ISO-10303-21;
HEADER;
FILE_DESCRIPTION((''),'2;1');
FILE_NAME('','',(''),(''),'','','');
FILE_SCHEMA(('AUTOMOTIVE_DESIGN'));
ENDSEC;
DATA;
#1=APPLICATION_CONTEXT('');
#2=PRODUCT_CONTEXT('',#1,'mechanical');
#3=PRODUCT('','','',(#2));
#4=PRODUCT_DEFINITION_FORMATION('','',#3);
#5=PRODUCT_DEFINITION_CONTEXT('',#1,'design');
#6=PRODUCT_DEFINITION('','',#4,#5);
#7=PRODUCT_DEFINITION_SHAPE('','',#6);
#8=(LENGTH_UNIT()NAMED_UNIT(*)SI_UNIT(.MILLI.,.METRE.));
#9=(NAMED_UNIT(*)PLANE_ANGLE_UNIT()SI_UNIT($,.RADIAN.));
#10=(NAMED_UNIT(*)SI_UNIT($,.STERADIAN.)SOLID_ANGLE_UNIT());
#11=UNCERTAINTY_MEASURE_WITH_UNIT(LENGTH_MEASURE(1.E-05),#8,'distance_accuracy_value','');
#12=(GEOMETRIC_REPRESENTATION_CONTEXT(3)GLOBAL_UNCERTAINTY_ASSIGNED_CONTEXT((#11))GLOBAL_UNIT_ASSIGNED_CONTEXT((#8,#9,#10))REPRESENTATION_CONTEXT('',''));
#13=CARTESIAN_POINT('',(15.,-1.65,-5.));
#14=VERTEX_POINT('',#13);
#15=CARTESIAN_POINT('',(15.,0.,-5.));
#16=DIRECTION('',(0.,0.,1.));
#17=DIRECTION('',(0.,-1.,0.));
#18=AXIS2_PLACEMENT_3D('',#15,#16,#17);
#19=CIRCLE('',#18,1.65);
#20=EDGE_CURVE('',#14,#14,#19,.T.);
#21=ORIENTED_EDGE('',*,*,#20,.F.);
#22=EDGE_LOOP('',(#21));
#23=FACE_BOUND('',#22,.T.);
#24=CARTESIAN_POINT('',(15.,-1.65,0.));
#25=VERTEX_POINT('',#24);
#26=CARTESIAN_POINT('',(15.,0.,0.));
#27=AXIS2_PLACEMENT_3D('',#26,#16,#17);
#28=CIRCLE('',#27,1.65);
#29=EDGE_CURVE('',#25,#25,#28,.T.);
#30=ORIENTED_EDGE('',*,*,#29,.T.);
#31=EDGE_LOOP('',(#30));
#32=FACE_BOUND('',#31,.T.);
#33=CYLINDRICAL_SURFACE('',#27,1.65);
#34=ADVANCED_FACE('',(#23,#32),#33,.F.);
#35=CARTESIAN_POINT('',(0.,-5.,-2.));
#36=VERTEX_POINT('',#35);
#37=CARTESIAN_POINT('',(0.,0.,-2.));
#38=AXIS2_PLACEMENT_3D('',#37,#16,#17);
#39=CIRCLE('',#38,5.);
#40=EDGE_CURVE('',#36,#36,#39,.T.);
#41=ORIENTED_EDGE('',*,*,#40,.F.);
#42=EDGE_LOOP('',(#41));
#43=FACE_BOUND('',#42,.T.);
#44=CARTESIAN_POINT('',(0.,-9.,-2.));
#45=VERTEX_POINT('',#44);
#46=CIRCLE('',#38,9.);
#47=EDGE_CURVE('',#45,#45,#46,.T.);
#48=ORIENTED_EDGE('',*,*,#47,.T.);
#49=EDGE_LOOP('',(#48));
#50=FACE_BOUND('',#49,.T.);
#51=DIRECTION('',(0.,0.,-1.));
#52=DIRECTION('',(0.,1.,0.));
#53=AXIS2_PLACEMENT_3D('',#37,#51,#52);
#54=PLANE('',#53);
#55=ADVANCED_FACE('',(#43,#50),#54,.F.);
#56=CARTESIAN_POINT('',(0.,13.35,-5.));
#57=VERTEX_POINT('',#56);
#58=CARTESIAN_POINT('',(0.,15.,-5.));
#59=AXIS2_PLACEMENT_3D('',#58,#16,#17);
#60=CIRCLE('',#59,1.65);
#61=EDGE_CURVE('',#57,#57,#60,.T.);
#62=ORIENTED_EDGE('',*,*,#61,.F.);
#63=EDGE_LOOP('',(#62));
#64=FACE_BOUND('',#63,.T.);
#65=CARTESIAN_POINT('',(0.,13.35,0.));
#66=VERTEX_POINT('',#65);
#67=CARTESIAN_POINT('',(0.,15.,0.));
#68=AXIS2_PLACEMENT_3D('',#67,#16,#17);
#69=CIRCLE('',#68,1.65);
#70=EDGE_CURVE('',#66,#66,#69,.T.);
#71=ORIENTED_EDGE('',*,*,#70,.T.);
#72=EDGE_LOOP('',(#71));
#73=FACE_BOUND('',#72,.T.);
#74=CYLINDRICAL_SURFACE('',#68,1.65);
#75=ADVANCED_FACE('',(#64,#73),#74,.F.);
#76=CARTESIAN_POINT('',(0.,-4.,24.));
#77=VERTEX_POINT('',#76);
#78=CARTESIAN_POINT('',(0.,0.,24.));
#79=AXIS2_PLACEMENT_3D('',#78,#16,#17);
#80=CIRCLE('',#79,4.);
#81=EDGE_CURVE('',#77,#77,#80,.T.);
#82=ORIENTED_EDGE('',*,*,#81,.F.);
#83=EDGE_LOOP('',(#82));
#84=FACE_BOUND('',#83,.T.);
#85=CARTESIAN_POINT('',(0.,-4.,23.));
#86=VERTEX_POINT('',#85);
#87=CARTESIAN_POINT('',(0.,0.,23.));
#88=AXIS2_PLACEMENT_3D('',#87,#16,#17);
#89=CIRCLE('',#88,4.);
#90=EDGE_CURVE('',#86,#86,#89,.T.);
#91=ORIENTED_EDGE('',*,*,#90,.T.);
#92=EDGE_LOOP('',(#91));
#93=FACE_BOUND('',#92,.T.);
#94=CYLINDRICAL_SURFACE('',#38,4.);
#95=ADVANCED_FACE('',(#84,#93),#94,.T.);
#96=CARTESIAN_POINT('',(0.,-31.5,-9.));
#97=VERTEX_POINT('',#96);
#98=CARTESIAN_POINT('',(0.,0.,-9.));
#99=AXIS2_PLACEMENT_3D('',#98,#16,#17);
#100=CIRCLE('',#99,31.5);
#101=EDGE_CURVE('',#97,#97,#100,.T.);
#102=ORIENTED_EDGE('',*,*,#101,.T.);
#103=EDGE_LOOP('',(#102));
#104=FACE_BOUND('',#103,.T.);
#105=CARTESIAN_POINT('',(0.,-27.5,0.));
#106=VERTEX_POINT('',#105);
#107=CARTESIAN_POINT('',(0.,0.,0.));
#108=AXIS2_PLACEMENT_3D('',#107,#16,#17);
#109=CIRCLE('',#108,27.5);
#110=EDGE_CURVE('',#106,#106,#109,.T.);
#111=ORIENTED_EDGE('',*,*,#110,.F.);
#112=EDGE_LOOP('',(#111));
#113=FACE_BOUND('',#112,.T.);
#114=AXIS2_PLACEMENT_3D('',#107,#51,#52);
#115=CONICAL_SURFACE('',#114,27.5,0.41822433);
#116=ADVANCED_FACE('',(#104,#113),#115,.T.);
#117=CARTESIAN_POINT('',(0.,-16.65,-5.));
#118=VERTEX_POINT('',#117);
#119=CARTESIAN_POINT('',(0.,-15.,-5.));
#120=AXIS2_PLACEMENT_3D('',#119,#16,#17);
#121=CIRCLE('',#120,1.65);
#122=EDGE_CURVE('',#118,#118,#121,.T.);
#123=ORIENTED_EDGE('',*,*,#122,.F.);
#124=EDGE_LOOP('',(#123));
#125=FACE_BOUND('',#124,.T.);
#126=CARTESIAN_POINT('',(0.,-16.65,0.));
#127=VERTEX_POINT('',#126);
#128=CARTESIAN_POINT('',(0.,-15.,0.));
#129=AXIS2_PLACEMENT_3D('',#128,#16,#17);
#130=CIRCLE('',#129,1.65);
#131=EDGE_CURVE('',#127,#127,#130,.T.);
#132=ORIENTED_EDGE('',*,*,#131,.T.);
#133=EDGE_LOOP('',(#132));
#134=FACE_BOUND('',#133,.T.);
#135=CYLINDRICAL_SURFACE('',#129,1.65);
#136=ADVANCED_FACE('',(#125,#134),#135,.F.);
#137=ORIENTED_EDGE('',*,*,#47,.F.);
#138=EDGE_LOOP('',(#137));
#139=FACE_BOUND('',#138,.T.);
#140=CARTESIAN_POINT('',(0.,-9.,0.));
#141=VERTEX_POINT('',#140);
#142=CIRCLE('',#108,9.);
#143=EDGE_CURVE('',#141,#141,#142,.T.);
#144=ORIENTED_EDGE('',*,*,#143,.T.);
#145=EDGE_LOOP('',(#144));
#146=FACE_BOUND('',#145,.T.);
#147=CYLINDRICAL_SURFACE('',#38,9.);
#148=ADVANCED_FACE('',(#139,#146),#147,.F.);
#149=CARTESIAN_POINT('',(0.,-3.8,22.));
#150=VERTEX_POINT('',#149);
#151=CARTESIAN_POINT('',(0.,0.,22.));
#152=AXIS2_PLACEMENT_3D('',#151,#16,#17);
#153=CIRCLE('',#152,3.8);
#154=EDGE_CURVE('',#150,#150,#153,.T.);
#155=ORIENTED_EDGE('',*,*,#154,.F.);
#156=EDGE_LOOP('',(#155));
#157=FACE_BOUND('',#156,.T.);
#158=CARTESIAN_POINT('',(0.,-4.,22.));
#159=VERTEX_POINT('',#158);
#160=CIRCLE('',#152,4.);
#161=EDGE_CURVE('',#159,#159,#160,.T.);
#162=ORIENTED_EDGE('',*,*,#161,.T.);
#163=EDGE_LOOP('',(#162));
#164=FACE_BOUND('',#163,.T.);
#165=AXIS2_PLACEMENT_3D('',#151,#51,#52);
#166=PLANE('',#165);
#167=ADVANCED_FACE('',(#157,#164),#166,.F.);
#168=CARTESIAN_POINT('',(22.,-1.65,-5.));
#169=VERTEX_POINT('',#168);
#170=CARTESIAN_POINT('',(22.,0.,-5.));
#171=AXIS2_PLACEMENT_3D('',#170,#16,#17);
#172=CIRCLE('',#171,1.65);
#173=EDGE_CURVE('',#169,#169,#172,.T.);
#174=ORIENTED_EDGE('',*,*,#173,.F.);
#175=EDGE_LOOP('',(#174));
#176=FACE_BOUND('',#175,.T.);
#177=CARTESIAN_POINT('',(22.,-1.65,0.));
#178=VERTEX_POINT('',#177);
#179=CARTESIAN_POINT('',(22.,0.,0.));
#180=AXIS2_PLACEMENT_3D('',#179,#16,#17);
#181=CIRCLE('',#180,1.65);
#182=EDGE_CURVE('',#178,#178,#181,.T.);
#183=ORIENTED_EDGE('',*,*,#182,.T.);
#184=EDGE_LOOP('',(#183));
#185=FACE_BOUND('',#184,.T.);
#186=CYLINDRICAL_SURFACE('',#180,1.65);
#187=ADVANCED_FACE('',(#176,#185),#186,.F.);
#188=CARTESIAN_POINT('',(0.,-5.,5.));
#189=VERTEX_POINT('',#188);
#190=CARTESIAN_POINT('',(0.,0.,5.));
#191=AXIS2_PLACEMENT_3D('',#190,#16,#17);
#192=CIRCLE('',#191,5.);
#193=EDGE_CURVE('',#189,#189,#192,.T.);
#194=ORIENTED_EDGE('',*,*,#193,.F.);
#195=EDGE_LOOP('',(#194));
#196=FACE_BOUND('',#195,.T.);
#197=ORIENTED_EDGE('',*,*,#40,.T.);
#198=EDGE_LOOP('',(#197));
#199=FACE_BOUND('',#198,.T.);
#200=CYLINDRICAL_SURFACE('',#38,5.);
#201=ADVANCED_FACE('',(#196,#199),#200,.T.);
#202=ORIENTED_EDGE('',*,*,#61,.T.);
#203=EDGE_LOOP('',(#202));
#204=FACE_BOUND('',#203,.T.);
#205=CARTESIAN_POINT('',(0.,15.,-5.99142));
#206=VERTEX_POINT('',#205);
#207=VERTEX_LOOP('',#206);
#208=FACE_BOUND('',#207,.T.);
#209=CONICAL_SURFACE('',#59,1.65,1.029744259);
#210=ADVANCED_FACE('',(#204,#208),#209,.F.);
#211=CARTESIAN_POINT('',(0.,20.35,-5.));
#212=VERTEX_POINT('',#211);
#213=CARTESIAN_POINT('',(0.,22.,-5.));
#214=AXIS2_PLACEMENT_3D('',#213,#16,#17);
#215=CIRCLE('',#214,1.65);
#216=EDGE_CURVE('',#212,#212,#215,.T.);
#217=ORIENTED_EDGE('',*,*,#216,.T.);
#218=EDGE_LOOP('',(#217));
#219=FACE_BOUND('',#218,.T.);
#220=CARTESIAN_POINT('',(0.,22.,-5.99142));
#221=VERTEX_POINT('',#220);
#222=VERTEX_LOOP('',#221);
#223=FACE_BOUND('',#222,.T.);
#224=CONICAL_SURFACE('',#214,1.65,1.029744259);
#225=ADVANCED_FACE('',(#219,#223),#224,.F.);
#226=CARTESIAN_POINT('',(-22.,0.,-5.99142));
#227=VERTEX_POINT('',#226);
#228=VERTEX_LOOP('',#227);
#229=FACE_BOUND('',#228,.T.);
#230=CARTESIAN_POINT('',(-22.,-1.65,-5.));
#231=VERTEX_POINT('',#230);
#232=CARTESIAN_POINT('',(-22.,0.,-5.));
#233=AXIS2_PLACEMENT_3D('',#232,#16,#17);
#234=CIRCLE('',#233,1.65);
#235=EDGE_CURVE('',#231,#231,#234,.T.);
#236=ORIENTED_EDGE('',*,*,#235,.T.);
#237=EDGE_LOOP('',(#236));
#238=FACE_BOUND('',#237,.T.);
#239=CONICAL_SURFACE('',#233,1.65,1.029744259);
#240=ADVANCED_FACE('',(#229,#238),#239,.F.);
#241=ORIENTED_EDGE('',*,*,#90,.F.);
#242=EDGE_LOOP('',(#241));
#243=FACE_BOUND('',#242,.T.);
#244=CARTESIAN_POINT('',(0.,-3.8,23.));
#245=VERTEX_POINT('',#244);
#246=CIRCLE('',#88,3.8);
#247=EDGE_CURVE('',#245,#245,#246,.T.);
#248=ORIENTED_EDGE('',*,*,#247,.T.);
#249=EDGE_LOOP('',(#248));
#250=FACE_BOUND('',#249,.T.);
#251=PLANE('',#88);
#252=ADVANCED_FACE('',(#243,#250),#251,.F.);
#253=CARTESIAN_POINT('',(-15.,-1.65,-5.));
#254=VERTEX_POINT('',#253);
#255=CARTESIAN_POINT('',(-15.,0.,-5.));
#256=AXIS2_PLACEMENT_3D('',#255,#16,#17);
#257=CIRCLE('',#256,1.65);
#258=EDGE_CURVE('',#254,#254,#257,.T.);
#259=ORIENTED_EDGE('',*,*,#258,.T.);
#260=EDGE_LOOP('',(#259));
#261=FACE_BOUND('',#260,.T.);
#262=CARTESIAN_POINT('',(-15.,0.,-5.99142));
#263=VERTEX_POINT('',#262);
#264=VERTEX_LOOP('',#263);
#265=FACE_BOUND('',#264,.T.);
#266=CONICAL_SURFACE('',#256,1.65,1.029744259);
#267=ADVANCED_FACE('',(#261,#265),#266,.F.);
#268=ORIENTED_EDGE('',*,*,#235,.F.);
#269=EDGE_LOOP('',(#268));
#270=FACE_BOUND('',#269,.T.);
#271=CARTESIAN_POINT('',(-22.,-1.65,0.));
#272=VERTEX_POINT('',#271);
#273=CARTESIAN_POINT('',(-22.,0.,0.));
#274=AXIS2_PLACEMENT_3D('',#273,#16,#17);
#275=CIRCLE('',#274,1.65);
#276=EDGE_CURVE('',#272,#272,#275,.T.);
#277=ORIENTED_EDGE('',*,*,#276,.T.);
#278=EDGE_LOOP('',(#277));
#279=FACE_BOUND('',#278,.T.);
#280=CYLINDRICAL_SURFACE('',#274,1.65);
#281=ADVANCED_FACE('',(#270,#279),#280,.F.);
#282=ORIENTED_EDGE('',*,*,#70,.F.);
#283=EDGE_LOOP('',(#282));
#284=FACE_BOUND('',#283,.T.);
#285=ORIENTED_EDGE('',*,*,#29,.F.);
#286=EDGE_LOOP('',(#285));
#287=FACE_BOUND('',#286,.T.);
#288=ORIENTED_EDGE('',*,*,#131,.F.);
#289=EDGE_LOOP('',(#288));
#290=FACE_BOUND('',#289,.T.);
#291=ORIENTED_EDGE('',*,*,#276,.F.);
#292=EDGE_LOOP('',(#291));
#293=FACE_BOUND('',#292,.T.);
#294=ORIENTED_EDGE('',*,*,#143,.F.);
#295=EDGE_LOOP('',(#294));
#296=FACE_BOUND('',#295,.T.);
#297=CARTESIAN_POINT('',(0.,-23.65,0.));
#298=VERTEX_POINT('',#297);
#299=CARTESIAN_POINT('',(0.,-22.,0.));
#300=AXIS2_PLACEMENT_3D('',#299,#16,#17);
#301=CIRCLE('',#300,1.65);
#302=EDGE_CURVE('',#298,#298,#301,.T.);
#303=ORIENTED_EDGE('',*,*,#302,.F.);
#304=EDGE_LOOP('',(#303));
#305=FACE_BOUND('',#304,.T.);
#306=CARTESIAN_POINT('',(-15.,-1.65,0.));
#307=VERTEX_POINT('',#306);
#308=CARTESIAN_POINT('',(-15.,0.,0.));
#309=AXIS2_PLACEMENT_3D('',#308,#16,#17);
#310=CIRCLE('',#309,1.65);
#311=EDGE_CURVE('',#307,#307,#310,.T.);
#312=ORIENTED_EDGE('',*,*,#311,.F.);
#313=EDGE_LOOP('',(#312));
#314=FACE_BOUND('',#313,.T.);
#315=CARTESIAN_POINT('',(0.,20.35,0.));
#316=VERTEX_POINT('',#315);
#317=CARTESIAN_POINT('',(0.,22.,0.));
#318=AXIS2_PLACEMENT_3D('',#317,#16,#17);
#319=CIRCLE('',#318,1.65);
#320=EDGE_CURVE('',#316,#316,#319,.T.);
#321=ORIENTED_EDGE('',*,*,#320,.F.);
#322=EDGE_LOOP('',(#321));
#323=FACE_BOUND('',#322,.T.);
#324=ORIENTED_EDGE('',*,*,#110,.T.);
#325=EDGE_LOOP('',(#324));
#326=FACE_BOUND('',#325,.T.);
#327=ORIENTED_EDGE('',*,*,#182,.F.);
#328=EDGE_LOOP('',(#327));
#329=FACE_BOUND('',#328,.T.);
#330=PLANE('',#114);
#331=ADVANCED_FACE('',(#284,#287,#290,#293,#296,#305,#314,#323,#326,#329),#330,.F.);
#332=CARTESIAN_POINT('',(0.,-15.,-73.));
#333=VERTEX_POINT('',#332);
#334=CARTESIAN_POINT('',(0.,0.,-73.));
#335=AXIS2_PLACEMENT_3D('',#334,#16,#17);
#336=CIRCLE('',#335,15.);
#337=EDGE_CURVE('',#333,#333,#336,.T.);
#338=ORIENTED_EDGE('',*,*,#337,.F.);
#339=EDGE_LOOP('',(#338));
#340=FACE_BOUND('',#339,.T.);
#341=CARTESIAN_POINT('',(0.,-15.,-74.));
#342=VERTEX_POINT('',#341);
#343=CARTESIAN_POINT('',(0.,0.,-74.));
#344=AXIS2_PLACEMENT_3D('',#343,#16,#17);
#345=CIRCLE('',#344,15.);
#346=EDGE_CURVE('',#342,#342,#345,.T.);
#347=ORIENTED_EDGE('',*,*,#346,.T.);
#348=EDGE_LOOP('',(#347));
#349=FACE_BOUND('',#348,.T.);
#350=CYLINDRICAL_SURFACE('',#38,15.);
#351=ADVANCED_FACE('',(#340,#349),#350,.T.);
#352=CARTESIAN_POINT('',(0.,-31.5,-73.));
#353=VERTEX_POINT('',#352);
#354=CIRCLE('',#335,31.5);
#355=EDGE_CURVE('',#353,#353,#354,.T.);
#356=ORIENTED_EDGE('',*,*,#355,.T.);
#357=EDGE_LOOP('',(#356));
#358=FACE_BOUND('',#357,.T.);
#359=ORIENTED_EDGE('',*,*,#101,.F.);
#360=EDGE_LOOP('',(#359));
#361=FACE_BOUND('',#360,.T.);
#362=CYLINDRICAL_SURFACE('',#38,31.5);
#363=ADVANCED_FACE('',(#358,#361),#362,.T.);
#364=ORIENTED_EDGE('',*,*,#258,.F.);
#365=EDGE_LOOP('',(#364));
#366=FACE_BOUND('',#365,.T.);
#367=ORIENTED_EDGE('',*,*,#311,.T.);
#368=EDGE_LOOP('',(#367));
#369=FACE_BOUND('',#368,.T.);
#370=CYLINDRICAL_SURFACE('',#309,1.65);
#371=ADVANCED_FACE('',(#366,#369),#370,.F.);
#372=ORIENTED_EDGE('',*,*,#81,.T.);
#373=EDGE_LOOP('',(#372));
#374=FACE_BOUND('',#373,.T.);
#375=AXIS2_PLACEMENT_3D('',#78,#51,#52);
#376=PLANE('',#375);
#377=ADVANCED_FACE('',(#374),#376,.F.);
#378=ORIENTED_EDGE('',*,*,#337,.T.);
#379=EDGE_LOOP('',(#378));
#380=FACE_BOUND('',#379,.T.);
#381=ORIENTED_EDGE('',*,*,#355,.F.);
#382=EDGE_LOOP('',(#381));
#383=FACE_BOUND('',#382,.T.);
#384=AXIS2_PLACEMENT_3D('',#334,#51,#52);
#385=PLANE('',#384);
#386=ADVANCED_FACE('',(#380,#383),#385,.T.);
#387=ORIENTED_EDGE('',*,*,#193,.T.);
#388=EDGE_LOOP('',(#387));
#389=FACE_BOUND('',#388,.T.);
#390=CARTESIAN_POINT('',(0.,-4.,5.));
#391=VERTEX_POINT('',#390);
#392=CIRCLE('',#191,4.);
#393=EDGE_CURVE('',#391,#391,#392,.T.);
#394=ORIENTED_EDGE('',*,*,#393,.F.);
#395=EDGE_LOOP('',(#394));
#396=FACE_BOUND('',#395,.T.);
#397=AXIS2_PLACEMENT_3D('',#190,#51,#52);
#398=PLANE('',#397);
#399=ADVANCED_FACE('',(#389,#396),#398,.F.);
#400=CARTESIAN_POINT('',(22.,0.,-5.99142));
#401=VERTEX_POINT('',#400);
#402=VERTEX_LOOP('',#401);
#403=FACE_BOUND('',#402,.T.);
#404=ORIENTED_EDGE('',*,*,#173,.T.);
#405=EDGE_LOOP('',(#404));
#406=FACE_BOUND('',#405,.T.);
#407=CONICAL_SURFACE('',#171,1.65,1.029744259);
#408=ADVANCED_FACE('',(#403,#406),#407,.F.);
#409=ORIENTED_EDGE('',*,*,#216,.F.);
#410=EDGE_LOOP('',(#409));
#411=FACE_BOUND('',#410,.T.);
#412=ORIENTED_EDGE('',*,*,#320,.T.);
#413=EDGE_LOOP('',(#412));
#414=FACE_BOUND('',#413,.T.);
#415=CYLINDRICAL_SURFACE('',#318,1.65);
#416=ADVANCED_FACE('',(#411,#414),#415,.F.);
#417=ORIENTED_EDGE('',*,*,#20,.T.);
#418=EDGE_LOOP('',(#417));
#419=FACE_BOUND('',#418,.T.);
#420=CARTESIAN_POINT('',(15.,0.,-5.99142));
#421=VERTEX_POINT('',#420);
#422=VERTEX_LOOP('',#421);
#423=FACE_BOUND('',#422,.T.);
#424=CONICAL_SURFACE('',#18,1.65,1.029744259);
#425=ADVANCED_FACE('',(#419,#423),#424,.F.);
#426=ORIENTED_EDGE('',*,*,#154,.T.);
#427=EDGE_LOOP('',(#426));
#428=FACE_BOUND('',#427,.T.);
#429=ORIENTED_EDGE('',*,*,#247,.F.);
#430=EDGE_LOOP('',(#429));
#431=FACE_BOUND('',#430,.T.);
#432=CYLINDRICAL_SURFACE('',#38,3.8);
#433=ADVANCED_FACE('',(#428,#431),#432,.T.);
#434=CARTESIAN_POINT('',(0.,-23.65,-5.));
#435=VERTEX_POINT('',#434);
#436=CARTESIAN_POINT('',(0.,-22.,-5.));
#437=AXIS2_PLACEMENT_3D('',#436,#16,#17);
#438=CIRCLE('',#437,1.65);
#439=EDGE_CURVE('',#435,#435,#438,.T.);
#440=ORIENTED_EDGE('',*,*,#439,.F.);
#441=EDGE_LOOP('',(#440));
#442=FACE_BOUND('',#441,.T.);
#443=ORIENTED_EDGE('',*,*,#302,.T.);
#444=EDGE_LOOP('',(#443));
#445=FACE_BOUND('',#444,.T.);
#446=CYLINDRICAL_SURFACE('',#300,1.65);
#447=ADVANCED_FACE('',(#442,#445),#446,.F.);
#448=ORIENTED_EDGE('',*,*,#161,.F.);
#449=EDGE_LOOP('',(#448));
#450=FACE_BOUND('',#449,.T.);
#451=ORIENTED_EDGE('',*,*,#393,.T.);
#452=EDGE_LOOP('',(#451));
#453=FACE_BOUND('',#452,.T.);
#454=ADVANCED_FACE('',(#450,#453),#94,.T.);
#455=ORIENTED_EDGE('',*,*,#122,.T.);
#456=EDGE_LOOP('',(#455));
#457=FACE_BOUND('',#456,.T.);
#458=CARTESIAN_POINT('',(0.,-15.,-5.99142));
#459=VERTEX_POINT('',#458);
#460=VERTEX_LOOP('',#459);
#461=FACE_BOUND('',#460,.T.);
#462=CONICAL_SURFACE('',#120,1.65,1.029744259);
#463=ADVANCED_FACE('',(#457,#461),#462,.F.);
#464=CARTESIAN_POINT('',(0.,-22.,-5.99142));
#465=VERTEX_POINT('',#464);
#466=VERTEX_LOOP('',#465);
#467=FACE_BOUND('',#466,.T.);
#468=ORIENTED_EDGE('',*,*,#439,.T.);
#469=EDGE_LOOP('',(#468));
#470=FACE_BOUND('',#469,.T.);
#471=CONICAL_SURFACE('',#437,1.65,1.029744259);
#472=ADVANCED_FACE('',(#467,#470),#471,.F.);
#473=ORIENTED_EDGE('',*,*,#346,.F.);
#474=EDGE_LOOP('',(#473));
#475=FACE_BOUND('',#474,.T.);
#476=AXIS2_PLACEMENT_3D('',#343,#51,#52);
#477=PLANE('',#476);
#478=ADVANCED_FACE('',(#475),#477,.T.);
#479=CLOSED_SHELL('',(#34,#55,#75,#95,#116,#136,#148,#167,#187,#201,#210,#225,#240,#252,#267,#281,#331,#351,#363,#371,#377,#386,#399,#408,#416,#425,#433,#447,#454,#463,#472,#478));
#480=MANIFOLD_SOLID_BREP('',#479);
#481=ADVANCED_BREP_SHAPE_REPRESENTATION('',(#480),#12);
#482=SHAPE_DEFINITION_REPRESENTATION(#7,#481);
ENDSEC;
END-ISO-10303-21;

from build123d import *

# Parameters (mm, degrees)
TAP_DRILL_FOR_M4X0_7_TAP1_D     = 3.3
TAP_DRILL_FOR_M4X0_7_TAP1_DEPTH = 5
TAP_DRILL_FOR_M4X0_7_TAP1_TIP   = 0.991420021


with BuildPart() as part:
    # Sketch2 → Revolve1 (revolve)
    with BuildSketch(Plane(origin=(0, 0, 0), x_dir=(0, 0, -1), z_dir=(1, 0, 0)), mode=Mode.PRIVATE) as revolve1_sk:
        Polygon((2, 0), (2, 5), (-5, 5), (-5, 4), (-22, 4), (-22, 3.8), (-23, 3.8), (-23, 4), (-24, 4), (-24, 0), align=None)
        Polygon((2, 9), (2, 0), (74, 0), (74, 15), (73, 15), (73, 31.5), (9, 31.5), (0, 27.5), (0, 9), align=None)
    revolve(revolve1_sk.sketch.rotate(Axis((0, 0, -2), (0, 0, -1)), 180), axis=Axis((0, 0, -2), (0, 0, -1)))

    # Tap Drill for M4x0.7 Tap1
    with Locations(Plane(origin=(0, 22, 0), x_dir=(1, 0, 0), z_dir=(0, 0, 1))):
        with Locations((0, 0), (0, -7), (15, -22), (22, -22), (0, -37), (0, -44), (-15, -22), (-22, -22)):
            Hole(TAP_DRILL_FOR_M4X0_7_TAP1_D / 2, depth=TAP_DRILL_FOR_M4X0_7_TAP1_DEPTH)
            with Locations((0, 0, -(TAP_DRILL_FOR_M4X0_7_TAP1_DEPTH + TAP_DRILL_FOR_M4X0_7_TAP1_TIP / 2))):  # 118° drill point
                Cone(0, TAP_DRILL_FOR_M4X0_7_TAP1_D / 2, TAP_DRILL_FOR_M4X0_7_TAP1_TIP, mode=Mode.SUBTRACT)


solid = part.part
